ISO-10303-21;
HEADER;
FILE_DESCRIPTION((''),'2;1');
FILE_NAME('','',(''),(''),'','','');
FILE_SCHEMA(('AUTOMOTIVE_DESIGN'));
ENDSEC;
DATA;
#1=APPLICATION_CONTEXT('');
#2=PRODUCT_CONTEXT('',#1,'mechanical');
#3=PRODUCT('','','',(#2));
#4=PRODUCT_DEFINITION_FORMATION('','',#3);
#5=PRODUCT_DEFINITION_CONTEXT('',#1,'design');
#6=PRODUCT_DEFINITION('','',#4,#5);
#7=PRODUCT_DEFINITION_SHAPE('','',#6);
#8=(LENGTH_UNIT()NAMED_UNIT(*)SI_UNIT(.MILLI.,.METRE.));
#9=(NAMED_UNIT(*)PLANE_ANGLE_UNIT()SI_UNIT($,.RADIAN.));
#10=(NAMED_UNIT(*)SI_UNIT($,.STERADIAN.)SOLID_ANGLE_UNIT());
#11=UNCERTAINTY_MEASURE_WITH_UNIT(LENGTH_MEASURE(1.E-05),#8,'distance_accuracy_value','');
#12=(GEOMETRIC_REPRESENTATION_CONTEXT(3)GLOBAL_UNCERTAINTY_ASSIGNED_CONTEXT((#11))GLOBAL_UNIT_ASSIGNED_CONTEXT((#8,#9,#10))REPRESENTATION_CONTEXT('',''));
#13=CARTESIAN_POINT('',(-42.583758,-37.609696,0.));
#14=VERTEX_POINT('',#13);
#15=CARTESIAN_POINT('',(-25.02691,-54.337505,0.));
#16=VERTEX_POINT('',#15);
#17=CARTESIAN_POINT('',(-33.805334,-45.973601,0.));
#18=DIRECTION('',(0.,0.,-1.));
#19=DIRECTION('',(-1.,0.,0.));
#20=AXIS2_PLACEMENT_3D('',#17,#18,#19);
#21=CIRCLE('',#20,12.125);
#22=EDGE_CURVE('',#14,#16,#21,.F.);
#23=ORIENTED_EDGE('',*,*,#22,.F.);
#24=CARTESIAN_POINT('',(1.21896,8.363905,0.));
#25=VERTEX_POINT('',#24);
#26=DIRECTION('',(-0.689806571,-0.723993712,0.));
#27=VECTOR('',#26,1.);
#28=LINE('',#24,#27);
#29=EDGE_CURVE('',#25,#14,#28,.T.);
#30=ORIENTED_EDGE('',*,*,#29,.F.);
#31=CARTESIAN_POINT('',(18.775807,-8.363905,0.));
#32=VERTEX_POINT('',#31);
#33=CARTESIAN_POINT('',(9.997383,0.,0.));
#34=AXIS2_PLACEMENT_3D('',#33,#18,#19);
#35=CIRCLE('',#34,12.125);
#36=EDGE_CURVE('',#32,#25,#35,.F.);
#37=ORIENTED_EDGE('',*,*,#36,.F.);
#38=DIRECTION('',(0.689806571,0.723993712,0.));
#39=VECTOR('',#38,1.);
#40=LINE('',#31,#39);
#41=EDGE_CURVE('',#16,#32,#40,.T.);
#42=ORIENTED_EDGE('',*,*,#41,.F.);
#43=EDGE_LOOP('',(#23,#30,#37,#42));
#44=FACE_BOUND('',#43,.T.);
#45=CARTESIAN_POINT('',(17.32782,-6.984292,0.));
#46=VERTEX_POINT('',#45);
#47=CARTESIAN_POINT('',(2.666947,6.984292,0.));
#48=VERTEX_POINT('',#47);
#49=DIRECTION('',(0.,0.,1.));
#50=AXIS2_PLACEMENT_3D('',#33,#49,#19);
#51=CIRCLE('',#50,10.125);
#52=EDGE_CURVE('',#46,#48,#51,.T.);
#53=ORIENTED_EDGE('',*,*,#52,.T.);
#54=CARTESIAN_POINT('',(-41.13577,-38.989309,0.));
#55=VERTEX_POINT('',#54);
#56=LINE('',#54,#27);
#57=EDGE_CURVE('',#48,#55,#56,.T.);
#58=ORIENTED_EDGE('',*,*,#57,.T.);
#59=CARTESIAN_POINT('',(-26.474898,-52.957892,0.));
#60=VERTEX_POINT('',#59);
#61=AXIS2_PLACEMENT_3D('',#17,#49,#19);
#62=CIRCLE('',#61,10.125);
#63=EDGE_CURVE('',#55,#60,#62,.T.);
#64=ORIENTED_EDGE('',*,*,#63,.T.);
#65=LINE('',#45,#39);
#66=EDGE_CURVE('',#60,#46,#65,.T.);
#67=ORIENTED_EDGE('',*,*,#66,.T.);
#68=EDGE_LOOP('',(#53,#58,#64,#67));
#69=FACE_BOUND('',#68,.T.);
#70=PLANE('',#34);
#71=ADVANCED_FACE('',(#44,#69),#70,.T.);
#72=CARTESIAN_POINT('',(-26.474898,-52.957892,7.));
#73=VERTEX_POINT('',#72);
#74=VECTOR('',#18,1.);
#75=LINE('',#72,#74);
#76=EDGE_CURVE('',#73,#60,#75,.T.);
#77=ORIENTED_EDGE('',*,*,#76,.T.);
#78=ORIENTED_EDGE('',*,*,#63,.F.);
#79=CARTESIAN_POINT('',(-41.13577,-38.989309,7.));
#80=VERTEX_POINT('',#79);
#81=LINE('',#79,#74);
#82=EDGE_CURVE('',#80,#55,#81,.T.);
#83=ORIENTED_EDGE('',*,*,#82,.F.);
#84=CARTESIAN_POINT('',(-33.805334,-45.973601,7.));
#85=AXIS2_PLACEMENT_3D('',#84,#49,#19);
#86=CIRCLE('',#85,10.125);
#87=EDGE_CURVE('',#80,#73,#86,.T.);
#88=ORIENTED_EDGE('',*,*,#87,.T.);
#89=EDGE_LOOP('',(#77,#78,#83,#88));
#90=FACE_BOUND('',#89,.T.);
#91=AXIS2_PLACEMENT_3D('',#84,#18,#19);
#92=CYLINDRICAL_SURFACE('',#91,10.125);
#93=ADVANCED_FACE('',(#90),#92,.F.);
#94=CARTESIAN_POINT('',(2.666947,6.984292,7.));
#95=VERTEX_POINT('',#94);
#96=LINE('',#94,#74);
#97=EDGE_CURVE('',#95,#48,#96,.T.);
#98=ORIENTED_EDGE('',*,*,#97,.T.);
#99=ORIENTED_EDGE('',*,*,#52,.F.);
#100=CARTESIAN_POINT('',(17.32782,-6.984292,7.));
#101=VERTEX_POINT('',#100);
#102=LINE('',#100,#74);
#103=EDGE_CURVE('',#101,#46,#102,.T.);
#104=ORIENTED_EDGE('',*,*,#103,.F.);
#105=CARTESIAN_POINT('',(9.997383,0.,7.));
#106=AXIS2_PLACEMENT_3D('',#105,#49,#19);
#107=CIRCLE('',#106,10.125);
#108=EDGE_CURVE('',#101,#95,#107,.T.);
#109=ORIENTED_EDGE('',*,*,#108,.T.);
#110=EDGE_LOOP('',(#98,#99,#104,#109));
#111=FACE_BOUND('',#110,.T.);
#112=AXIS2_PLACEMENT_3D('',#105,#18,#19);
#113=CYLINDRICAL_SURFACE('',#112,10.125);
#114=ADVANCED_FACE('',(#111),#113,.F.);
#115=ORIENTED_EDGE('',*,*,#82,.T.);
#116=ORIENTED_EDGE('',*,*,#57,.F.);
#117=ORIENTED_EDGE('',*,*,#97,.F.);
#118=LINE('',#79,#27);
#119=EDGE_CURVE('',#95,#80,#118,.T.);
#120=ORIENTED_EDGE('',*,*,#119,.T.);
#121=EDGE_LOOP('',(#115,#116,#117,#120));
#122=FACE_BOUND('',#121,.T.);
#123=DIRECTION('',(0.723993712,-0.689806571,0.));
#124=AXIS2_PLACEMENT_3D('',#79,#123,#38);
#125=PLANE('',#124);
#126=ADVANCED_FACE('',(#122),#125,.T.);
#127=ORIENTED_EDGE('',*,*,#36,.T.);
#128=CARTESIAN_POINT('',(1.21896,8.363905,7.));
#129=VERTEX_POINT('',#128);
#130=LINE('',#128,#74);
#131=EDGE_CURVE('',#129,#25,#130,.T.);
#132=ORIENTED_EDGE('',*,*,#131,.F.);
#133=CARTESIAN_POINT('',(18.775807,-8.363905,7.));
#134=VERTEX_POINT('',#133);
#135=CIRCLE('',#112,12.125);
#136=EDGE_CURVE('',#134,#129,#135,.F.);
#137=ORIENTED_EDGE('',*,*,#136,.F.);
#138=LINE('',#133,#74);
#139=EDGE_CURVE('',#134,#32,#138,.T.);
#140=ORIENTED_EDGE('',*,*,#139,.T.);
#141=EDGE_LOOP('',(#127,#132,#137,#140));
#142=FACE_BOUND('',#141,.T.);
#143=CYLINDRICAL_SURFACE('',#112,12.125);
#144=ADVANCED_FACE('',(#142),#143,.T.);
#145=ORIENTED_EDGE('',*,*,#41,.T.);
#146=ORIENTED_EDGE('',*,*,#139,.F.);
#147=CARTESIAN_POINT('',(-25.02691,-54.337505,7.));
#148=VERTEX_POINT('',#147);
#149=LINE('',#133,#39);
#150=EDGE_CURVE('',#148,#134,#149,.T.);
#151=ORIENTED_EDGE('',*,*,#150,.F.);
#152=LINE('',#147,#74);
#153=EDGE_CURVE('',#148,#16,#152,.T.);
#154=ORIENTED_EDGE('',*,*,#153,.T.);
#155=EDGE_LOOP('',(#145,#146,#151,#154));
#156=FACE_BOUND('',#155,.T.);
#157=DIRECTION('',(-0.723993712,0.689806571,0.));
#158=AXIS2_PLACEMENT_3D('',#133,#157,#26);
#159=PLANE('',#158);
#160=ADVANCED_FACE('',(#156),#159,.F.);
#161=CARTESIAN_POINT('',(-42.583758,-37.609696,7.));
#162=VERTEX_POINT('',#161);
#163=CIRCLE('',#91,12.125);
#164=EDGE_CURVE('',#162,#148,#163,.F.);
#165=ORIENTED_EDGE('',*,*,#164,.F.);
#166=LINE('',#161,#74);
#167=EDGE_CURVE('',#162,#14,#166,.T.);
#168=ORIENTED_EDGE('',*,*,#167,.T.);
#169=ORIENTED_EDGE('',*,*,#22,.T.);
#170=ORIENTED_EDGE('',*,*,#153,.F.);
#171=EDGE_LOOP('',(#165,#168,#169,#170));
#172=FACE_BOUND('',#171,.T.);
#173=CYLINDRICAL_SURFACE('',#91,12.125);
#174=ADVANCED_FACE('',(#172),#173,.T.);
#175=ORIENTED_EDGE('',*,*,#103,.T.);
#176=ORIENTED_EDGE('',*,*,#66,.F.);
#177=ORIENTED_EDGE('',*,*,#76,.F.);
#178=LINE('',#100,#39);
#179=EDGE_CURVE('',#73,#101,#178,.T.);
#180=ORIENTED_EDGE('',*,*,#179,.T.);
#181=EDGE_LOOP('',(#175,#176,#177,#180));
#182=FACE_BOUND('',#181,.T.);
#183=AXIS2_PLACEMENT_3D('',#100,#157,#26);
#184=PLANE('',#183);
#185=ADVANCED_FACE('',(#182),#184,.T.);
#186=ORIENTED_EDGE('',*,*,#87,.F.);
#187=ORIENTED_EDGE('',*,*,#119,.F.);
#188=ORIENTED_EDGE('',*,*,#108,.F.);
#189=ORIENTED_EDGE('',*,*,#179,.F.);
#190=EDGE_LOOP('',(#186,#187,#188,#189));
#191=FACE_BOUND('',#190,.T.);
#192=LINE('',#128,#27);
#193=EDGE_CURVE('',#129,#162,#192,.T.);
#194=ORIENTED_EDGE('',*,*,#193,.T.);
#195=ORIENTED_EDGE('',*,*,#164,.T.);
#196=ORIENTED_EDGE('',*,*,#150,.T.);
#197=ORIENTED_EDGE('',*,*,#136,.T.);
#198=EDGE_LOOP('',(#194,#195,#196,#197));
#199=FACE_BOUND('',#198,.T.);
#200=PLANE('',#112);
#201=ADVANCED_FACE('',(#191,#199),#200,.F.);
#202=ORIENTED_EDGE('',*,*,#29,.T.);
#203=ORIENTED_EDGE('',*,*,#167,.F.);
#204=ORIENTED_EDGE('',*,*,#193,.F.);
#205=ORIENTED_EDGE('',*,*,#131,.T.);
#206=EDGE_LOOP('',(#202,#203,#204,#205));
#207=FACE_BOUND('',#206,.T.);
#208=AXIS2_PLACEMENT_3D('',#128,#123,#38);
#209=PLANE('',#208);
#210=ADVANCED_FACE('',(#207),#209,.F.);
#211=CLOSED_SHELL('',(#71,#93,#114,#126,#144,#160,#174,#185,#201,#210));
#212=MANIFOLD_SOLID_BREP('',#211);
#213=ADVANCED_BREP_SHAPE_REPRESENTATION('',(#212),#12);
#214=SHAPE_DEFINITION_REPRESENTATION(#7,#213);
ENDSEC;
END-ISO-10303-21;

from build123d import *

# Parameters (mm, degrees)
EXTRUDE_1_DEPTH = 7


with BuildPart() as part:
    # 草图2 → 拉伸-薄壁1 (new body)
    with BuildSketch(Plane.XY):
        with BuildLine():
            Line((-42.583757596, -37.609696046), (1.21895964, 8.363904669))
            ThreePointArc((1.21895964, 8.363904669), (18.361288068, 8.778423759), (18.775807158, -8.363904669))
            Line((18.775807158, -8.363904669), (-25.026910079, -54.337505384))
            ThreePointArc((-25.026910079, -54.337505384), (-42.169238506, -54.752024474), (-42.583757596, -37.609696046))
        make_face()
        with BuildLine():
            Line((-41.135770172, -38.989309187), (2.666947064, 6.984291528))
            ThreePointArc((2.666947064, 6.984291528), (16.981674927, 7.330436335), (17.327819733, -6.984291528))
            Line((17.327819733, -6.984291528), (-26.474897503, -52.957892243))
            ThreePointArc((-26.474897503, -52.957892243), (-40.789625365, -53.30403705), (-41.135770172, -38.989309187))
        make_face(mode=Mode.SUBTRACT)
    extrude(amount=EXTRUDE_1_DEPTH)


solid = part.part
